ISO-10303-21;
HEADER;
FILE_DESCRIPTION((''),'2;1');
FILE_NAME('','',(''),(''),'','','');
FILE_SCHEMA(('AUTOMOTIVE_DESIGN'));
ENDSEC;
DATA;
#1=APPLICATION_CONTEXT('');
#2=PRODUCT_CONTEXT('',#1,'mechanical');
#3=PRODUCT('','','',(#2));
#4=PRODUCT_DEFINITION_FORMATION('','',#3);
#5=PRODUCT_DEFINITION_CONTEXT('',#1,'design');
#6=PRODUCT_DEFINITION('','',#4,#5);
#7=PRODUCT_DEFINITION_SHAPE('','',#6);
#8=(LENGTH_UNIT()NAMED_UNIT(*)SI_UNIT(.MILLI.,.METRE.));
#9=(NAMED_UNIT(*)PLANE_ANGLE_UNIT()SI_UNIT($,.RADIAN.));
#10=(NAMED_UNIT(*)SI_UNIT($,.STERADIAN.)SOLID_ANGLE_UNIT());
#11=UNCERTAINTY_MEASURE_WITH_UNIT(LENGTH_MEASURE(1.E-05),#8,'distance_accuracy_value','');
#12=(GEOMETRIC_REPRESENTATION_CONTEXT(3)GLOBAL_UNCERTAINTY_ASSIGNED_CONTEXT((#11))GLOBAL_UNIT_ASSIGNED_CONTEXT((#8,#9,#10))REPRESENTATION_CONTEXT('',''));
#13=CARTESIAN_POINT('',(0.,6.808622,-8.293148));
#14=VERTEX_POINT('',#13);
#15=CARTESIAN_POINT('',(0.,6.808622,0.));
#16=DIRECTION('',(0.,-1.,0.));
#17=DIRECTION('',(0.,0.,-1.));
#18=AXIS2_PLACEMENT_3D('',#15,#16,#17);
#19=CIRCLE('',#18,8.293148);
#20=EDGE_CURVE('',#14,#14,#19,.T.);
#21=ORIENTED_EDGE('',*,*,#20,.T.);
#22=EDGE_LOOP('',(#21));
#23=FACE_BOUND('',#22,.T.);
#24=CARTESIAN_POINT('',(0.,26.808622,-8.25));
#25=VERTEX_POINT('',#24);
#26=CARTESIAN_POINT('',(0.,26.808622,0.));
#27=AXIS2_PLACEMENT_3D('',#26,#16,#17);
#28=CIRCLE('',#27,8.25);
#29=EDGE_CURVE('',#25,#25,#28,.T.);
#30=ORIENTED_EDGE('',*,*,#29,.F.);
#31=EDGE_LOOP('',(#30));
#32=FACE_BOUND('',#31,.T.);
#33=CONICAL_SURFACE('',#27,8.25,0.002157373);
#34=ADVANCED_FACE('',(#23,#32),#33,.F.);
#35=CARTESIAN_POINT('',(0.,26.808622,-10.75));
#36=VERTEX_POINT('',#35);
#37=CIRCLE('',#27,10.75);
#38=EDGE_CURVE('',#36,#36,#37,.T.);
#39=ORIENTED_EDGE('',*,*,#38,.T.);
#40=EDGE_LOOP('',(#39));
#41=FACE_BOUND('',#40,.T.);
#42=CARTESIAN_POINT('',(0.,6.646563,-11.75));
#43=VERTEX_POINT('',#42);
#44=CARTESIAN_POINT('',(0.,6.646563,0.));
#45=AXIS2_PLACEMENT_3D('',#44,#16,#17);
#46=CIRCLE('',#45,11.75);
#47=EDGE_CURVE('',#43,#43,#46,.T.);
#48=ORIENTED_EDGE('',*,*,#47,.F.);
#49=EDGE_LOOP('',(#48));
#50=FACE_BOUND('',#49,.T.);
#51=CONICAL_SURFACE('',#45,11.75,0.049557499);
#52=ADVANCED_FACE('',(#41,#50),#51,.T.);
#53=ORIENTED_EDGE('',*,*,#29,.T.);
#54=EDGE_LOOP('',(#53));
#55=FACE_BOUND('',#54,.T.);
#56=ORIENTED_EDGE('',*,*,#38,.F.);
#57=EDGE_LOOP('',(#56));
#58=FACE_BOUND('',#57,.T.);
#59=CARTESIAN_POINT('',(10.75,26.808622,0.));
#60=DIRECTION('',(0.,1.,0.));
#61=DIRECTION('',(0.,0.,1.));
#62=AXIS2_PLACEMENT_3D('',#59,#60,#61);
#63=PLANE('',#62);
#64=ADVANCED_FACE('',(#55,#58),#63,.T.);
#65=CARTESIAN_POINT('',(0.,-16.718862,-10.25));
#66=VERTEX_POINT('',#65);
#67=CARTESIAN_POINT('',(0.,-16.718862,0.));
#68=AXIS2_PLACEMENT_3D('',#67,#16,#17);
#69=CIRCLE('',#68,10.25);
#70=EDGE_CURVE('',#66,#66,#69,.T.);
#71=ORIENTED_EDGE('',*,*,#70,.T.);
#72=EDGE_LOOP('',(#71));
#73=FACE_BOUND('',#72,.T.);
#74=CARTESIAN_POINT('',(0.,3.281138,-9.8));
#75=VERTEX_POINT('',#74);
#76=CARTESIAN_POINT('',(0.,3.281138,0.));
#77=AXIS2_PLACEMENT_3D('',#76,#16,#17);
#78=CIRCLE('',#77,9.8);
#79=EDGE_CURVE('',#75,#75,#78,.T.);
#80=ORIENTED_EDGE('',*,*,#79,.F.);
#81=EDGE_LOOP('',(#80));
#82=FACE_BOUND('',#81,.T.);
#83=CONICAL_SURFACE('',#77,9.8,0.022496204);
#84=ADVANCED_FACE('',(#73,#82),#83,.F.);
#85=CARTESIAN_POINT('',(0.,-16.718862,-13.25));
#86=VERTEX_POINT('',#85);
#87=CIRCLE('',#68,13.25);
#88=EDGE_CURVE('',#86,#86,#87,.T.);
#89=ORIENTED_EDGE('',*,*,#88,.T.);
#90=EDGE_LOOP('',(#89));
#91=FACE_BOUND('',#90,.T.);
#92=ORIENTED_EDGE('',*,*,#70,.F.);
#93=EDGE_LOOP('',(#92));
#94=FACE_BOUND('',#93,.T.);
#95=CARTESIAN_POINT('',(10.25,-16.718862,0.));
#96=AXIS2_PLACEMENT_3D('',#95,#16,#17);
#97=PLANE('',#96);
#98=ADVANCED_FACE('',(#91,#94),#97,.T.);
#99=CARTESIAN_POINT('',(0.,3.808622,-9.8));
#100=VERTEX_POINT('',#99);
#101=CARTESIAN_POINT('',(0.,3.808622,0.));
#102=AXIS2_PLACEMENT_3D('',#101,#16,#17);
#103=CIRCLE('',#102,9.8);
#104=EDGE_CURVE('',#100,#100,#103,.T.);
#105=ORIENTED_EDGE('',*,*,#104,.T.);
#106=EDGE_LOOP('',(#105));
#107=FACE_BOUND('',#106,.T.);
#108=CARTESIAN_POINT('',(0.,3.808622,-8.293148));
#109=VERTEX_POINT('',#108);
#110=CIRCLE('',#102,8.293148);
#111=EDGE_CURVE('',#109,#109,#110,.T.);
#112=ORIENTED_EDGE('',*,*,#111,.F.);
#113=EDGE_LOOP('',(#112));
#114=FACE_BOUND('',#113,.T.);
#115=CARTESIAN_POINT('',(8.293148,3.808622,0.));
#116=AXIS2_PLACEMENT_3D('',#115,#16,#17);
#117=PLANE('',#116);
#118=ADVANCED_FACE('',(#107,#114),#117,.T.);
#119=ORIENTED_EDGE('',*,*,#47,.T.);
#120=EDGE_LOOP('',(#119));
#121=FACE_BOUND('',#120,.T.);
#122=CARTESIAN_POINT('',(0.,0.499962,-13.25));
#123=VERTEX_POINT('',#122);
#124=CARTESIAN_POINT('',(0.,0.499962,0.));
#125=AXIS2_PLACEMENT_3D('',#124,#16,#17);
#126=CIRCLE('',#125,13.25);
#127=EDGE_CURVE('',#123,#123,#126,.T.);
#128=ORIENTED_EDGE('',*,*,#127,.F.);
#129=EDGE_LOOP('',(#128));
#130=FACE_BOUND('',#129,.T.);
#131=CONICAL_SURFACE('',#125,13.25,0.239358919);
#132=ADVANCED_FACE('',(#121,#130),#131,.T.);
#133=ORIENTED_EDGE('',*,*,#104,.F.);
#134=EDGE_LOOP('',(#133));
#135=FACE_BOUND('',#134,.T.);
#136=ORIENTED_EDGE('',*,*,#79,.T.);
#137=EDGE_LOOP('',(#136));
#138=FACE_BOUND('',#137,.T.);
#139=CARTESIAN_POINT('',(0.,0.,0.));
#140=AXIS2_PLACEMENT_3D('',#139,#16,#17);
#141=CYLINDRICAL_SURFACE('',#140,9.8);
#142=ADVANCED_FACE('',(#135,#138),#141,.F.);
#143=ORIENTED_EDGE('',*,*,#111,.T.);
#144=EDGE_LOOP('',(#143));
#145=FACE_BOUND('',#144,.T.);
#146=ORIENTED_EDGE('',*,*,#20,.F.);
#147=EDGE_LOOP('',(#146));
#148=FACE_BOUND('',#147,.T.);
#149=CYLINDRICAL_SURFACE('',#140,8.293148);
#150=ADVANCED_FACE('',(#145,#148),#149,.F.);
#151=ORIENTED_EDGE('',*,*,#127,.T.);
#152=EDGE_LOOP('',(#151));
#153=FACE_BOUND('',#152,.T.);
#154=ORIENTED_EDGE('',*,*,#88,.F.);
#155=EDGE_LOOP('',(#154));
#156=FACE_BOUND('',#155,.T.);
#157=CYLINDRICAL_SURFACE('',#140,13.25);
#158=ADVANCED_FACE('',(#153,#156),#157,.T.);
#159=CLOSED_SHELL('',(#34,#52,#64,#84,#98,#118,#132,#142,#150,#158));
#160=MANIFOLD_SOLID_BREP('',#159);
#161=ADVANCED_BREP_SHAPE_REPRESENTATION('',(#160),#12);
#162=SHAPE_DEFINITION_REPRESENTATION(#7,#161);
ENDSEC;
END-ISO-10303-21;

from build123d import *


with BuildPart() as part:
    # Sketch1 → Revolve1 (revolve)
    with BuildSketch(Plane.XY, mode=Mode.PRIVATE) as revolve1_sk:
        Polygon((9.8, 3.281137882), (10.25, -16.718862118), (13.25, -16.718862118), (13.25, 0.499962164), (11.75, 6.646562602), (10.75, 26.808621535), (8.25, 26.808621535), (8.293147517, 6.808621535), (8.293147517, 3.808621535), (9.8, 3.808621535), align=None)
    revolve(revolve1_sk.sketch.rotate(Axis((0, 0, 0), (0, 1, 0)), 90), axis=Axis((0, 0, 0), (0, 1, 0)))


solid = part.part
